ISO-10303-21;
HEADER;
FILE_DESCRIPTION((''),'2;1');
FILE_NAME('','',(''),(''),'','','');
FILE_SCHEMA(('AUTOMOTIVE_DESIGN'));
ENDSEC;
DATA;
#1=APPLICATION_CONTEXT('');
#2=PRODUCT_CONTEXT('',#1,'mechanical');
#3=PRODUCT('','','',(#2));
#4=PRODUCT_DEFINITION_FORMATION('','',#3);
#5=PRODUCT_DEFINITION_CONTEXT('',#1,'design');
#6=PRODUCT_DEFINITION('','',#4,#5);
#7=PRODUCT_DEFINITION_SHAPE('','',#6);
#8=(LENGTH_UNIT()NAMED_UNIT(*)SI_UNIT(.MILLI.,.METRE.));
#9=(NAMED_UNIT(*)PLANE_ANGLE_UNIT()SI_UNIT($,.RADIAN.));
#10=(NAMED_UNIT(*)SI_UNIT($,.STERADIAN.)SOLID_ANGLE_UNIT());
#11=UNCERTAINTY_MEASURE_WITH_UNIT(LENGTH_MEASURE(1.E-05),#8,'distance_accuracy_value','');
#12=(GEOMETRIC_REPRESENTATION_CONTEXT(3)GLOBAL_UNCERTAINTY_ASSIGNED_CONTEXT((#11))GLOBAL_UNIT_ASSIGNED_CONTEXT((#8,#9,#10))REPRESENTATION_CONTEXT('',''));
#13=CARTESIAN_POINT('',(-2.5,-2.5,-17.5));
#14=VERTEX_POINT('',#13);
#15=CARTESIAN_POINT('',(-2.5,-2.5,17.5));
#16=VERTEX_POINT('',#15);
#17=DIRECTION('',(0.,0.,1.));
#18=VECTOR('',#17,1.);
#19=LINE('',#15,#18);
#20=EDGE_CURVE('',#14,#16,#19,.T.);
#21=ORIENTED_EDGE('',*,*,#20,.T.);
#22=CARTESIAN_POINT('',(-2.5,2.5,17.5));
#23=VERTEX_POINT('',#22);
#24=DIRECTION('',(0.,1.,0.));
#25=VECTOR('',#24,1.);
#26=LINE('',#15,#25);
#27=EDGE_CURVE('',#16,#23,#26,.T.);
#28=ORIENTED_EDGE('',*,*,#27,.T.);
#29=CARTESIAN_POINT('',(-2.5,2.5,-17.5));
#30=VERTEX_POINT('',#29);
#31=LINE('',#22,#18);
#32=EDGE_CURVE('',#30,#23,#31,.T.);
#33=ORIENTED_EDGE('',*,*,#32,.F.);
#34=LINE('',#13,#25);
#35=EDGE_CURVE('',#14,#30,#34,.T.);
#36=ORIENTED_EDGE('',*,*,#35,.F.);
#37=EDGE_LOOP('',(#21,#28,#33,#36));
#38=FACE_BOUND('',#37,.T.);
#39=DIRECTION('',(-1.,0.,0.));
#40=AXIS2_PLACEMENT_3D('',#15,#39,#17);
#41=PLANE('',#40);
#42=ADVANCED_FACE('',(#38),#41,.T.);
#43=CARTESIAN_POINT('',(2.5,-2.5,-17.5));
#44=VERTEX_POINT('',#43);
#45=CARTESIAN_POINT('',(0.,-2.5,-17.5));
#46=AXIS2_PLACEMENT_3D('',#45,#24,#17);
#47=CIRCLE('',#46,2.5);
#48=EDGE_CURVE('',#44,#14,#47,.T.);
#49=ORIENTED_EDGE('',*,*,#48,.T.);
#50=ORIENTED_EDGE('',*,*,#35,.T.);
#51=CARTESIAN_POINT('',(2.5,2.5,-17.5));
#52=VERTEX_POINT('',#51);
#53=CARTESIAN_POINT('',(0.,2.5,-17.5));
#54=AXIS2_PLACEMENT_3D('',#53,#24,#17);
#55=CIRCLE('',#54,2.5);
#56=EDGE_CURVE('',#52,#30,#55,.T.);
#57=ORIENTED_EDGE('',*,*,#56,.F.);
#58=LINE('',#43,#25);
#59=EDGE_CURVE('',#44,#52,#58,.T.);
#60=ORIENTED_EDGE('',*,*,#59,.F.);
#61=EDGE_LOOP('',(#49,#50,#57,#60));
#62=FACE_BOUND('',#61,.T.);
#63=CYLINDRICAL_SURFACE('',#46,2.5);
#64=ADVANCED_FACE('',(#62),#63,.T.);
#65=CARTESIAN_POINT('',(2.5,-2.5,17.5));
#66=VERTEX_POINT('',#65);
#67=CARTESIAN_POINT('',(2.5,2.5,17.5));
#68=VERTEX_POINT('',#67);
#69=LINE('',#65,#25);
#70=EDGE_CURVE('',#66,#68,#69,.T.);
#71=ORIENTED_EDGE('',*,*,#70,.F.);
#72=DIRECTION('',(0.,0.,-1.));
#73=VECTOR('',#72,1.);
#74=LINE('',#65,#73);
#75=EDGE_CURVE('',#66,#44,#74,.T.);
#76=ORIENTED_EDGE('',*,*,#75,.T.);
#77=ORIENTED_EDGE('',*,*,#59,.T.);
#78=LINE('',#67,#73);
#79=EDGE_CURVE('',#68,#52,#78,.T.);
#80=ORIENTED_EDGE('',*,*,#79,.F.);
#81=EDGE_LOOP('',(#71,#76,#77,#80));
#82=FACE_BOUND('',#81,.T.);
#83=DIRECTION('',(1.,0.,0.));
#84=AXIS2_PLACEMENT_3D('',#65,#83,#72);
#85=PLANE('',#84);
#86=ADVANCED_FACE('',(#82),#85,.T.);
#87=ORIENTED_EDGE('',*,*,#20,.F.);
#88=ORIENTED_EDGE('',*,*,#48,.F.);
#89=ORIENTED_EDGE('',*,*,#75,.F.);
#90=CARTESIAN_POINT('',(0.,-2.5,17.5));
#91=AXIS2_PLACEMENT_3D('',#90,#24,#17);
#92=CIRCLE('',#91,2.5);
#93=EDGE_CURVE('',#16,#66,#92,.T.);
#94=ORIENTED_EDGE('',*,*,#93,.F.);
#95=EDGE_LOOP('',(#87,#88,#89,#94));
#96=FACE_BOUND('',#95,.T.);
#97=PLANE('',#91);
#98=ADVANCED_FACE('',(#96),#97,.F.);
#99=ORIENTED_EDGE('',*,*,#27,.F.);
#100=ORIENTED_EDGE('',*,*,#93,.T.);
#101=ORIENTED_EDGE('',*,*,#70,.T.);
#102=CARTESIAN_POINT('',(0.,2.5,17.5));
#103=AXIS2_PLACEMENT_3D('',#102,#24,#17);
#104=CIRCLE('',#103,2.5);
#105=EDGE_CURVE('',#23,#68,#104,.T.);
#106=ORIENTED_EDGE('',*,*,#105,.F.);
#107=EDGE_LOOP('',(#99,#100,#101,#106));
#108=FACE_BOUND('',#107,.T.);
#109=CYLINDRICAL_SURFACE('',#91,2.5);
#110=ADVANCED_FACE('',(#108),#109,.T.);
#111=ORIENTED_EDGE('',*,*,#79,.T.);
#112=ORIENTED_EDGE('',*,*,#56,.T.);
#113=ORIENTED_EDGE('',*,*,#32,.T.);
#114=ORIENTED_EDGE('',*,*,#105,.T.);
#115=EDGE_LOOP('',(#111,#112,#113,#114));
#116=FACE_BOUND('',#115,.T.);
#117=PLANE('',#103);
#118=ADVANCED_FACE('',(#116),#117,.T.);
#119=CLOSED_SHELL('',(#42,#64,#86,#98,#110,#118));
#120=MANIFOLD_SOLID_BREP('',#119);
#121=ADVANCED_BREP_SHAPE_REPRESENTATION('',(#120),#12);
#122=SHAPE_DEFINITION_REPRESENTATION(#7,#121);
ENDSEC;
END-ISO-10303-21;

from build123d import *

# Parameters (mm, degrees)
BOSS_EXTRUDE1_START = 2.5
BOSS_EXTRUDE1_DEPTH = 5


with BuildPart() as part:
    # Sketch4 → Boss-Extrude1 (new body)
    with BuildSketch(Plane(origin=(0, 0, 0), x_dir=(1, 0, 0), z_dir=(0, 1, 0)).offset(BOSS_EXTRUDE1_START)):
        with BuildLine():
            Line((-2.5, -17.5), (-2.5, 17.5))
            ThreePointArc((-2.5, 17.5), (0, 20), (2.5, 17.5))
            Line((2.5, 17.5), (2.5, -17.5))
            ThreePointArc((2.5, -17.5), (0, -20), (-2.5, -17.5))
        make_face()
    extrude(amount=-BOSS_EXTRUDE1_DEPTH)


solid = part.part
